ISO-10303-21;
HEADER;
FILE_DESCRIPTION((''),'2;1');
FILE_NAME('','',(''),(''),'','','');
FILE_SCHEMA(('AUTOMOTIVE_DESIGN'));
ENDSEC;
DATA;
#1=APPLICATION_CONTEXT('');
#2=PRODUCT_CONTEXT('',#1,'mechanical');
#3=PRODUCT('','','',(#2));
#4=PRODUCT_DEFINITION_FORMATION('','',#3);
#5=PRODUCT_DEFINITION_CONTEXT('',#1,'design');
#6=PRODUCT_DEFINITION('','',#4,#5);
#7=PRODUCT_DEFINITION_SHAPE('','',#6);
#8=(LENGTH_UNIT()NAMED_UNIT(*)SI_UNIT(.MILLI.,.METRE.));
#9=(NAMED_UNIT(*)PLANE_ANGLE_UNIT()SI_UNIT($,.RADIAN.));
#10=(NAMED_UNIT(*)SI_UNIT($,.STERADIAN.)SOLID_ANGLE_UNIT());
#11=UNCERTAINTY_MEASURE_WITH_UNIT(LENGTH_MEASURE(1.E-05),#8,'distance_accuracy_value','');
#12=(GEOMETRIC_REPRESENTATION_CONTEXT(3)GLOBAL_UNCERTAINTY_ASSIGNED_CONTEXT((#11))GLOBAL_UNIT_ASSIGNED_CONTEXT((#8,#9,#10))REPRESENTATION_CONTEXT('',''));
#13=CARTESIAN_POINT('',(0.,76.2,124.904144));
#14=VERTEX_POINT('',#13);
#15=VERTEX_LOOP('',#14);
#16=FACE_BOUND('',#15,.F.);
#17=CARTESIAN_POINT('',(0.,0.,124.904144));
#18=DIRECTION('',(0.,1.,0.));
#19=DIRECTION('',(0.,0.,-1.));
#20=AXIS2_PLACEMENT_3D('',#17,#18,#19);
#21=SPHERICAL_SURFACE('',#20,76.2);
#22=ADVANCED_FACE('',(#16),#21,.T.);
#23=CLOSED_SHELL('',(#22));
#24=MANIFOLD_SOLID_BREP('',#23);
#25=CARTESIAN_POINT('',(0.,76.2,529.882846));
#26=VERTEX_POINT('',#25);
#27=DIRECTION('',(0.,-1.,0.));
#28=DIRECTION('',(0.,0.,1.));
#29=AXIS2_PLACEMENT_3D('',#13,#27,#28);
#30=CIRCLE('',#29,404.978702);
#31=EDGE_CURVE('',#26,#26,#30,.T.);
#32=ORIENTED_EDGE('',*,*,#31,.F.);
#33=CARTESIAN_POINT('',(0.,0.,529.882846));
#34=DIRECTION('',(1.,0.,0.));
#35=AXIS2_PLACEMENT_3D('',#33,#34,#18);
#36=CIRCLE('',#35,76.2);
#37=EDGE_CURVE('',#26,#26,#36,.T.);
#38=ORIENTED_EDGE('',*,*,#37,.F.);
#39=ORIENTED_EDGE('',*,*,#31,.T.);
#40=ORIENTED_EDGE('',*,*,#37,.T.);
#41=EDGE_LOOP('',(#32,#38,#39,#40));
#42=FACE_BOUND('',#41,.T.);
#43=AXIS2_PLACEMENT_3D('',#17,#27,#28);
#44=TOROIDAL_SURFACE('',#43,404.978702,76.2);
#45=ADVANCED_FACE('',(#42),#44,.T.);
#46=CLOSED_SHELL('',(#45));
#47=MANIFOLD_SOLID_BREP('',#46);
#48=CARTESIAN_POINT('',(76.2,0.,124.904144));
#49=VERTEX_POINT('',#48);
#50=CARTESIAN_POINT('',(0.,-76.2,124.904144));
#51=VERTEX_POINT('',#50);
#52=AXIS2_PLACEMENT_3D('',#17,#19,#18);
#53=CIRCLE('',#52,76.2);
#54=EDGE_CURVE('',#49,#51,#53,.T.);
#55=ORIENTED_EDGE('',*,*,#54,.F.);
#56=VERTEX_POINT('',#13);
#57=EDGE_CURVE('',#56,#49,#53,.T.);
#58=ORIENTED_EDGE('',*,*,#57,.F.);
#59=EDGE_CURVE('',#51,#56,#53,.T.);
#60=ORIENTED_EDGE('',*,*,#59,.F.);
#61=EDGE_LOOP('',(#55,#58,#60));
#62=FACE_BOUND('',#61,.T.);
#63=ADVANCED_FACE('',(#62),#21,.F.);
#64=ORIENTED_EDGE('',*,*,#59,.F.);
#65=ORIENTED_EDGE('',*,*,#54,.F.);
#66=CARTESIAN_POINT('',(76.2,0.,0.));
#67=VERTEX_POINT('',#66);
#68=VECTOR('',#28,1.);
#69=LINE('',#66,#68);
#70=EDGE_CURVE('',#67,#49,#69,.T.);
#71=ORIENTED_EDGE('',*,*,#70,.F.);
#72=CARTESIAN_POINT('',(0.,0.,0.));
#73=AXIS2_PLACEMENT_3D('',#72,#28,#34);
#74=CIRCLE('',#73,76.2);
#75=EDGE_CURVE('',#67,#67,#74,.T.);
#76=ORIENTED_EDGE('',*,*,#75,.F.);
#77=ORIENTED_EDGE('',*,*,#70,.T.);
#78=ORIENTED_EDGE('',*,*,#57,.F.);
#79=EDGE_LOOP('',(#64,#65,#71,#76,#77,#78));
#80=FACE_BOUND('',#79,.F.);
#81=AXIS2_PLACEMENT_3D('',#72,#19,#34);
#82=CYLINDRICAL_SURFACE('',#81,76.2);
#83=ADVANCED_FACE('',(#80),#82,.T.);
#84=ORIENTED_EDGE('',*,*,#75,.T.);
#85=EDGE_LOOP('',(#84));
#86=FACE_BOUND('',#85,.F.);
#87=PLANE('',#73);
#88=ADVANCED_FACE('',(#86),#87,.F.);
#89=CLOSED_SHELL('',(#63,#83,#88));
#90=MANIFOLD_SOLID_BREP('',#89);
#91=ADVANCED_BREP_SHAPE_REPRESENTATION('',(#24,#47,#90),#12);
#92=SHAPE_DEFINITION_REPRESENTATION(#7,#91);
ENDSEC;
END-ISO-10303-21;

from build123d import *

# Parameters (mm, degrees)
F0_R = 76.2
F2_R = 76.2


with BuildPart() as f1:
    # F0 (on Right) → F1 (revolve)
    with BuildSketch(Plane.YZ):
        with Locations((0, 529.8828460518)):
            Circle(F0_R)
    revolve(axis=Axis((0, 0, 124.9041443931), (0, -1, 0)))


with BuildPart() as f1b:
    # F0 (on Right) → F1, piece 2 (revolve)
    with BuildSketch(Plane.YZ):
        with BuildLine():
            Line((76.2, 124.9041443931), (-76.2, 124.9041443931))
            ThreePointArc((-76.2, 124.9041443931), (0, 48.7041443931), (76.2, 124.9041443931))
        make_face()
    revolve(axis=Axis((0, 0, 124.9041443931), (0, -1, 0)))


with BuildPart() as f3:
    # F2 (on Top) → F3 (new body, up to the next surface of F1b)
    with BuildSketch(Plane.XY):
        Circle(F2_R)
    extrude(until=Until.NEXT, target=f1b.part)


solid = Compound([f1.part, f1b.part, f3.part])
